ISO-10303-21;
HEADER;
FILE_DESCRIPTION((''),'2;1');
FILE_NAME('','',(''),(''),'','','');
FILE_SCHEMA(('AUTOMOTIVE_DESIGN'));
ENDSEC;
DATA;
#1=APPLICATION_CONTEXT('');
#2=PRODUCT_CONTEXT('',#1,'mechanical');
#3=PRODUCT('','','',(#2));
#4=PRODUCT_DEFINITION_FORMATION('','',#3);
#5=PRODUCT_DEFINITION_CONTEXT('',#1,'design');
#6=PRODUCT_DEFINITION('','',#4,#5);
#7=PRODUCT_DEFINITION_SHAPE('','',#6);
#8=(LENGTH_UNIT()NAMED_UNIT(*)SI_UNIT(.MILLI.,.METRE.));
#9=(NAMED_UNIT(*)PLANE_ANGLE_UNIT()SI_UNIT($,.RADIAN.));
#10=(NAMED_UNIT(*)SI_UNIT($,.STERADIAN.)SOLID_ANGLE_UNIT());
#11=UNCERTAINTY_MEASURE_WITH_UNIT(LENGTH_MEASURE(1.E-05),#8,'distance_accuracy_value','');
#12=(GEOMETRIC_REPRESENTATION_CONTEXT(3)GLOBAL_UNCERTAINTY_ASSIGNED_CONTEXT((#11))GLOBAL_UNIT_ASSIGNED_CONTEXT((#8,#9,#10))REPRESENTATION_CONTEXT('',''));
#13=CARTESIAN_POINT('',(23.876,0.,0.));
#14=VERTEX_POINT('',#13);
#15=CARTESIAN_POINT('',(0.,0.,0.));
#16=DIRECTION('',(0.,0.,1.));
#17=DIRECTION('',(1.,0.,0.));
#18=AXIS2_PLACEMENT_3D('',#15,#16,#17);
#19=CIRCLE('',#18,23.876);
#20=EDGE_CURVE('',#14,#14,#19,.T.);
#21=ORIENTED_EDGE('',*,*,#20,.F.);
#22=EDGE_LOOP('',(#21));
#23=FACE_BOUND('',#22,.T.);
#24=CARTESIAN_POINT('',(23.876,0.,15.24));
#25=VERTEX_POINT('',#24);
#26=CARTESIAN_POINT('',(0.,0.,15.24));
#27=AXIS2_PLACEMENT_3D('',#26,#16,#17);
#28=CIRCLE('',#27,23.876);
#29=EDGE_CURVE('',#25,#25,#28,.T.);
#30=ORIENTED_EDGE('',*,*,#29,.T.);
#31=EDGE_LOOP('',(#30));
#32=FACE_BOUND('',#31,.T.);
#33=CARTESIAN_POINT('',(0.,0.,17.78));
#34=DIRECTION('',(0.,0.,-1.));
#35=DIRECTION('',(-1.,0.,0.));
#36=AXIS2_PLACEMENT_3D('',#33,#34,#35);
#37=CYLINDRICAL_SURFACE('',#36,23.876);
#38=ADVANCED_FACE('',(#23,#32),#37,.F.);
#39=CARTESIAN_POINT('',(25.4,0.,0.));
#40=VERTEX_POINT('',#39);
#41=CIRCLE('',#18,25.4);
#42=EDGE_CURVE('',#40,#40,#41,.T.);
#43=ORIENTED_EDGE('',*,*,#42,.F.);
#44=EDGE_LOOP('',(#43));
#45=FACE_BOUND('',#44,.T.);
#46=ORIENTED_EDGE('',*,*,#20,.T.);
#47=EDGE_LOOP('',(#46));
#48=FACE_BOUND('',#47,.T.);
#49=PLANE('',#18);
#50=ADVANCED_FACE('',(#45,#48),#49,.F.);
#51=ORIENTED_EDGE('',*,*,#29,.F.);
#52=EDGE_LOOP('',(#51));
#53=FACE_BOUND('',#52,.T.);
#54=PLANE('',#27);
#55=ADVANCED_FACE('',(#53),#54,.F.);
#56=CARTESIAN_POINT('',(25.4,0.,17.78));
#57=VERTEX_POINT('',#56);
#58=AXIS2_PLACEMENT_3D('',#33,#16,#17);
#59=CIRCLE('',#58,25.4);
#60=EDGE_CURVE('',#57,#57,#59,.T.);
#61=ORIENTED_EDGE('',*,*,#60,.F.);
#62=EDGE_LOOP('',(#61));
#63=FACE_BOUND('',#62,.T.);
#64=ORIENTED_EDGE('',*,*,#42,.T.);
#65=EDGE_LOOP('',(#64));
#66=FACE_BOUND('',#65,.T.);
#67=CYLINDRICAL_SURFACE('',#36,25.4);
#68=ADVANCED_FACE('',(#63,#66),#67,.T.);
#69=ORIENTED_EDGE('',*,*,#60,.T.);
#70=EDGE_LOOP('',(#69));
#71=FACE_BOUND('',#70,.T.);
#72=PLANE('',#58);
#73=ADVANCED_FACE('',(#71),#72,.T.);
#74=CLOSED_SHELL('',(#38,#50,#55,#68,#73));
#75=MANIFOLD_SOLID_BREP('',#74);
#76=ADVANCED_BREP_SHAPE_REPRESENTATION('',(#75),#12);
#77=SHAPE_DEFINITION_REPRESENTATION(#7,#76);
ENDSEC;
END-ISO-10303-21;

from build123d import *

# Parameters (mm, degrees)
SKETCH1_R           = 25.4
SKETCH1_R_2         = 23.876
BOSS_EXTRUDE1_DEPTH = 17.78
BOSS_EXTRUDE2_START = -2.54
SKETCH2_R           = 23.876
BOSS_EXTRUDE2_DEPTH = 2.54


with BuildPart() as part:
    # Sketch1 → Boss-Extrude1 (new body)
    with BuildSketch(Plane.XY):
        Circle(SKETCH1_R)
        Circle(SKETCH1_R_2, mode=Mode.SUBTRACT)
    extrude(amount=BOSS_EXTRUDE1_DEPTH)

    # Sketch2 → Boss-Extrude2 (add)
    with BuildSketch(Plane.XY.offset(17.78).offset(BOSS_EXTRUDE2_START)):
        Circle(SKETCH2_R)
    extrude(amount=BOSS_EXTRUDE2_DEPTH)


solid = part.part
